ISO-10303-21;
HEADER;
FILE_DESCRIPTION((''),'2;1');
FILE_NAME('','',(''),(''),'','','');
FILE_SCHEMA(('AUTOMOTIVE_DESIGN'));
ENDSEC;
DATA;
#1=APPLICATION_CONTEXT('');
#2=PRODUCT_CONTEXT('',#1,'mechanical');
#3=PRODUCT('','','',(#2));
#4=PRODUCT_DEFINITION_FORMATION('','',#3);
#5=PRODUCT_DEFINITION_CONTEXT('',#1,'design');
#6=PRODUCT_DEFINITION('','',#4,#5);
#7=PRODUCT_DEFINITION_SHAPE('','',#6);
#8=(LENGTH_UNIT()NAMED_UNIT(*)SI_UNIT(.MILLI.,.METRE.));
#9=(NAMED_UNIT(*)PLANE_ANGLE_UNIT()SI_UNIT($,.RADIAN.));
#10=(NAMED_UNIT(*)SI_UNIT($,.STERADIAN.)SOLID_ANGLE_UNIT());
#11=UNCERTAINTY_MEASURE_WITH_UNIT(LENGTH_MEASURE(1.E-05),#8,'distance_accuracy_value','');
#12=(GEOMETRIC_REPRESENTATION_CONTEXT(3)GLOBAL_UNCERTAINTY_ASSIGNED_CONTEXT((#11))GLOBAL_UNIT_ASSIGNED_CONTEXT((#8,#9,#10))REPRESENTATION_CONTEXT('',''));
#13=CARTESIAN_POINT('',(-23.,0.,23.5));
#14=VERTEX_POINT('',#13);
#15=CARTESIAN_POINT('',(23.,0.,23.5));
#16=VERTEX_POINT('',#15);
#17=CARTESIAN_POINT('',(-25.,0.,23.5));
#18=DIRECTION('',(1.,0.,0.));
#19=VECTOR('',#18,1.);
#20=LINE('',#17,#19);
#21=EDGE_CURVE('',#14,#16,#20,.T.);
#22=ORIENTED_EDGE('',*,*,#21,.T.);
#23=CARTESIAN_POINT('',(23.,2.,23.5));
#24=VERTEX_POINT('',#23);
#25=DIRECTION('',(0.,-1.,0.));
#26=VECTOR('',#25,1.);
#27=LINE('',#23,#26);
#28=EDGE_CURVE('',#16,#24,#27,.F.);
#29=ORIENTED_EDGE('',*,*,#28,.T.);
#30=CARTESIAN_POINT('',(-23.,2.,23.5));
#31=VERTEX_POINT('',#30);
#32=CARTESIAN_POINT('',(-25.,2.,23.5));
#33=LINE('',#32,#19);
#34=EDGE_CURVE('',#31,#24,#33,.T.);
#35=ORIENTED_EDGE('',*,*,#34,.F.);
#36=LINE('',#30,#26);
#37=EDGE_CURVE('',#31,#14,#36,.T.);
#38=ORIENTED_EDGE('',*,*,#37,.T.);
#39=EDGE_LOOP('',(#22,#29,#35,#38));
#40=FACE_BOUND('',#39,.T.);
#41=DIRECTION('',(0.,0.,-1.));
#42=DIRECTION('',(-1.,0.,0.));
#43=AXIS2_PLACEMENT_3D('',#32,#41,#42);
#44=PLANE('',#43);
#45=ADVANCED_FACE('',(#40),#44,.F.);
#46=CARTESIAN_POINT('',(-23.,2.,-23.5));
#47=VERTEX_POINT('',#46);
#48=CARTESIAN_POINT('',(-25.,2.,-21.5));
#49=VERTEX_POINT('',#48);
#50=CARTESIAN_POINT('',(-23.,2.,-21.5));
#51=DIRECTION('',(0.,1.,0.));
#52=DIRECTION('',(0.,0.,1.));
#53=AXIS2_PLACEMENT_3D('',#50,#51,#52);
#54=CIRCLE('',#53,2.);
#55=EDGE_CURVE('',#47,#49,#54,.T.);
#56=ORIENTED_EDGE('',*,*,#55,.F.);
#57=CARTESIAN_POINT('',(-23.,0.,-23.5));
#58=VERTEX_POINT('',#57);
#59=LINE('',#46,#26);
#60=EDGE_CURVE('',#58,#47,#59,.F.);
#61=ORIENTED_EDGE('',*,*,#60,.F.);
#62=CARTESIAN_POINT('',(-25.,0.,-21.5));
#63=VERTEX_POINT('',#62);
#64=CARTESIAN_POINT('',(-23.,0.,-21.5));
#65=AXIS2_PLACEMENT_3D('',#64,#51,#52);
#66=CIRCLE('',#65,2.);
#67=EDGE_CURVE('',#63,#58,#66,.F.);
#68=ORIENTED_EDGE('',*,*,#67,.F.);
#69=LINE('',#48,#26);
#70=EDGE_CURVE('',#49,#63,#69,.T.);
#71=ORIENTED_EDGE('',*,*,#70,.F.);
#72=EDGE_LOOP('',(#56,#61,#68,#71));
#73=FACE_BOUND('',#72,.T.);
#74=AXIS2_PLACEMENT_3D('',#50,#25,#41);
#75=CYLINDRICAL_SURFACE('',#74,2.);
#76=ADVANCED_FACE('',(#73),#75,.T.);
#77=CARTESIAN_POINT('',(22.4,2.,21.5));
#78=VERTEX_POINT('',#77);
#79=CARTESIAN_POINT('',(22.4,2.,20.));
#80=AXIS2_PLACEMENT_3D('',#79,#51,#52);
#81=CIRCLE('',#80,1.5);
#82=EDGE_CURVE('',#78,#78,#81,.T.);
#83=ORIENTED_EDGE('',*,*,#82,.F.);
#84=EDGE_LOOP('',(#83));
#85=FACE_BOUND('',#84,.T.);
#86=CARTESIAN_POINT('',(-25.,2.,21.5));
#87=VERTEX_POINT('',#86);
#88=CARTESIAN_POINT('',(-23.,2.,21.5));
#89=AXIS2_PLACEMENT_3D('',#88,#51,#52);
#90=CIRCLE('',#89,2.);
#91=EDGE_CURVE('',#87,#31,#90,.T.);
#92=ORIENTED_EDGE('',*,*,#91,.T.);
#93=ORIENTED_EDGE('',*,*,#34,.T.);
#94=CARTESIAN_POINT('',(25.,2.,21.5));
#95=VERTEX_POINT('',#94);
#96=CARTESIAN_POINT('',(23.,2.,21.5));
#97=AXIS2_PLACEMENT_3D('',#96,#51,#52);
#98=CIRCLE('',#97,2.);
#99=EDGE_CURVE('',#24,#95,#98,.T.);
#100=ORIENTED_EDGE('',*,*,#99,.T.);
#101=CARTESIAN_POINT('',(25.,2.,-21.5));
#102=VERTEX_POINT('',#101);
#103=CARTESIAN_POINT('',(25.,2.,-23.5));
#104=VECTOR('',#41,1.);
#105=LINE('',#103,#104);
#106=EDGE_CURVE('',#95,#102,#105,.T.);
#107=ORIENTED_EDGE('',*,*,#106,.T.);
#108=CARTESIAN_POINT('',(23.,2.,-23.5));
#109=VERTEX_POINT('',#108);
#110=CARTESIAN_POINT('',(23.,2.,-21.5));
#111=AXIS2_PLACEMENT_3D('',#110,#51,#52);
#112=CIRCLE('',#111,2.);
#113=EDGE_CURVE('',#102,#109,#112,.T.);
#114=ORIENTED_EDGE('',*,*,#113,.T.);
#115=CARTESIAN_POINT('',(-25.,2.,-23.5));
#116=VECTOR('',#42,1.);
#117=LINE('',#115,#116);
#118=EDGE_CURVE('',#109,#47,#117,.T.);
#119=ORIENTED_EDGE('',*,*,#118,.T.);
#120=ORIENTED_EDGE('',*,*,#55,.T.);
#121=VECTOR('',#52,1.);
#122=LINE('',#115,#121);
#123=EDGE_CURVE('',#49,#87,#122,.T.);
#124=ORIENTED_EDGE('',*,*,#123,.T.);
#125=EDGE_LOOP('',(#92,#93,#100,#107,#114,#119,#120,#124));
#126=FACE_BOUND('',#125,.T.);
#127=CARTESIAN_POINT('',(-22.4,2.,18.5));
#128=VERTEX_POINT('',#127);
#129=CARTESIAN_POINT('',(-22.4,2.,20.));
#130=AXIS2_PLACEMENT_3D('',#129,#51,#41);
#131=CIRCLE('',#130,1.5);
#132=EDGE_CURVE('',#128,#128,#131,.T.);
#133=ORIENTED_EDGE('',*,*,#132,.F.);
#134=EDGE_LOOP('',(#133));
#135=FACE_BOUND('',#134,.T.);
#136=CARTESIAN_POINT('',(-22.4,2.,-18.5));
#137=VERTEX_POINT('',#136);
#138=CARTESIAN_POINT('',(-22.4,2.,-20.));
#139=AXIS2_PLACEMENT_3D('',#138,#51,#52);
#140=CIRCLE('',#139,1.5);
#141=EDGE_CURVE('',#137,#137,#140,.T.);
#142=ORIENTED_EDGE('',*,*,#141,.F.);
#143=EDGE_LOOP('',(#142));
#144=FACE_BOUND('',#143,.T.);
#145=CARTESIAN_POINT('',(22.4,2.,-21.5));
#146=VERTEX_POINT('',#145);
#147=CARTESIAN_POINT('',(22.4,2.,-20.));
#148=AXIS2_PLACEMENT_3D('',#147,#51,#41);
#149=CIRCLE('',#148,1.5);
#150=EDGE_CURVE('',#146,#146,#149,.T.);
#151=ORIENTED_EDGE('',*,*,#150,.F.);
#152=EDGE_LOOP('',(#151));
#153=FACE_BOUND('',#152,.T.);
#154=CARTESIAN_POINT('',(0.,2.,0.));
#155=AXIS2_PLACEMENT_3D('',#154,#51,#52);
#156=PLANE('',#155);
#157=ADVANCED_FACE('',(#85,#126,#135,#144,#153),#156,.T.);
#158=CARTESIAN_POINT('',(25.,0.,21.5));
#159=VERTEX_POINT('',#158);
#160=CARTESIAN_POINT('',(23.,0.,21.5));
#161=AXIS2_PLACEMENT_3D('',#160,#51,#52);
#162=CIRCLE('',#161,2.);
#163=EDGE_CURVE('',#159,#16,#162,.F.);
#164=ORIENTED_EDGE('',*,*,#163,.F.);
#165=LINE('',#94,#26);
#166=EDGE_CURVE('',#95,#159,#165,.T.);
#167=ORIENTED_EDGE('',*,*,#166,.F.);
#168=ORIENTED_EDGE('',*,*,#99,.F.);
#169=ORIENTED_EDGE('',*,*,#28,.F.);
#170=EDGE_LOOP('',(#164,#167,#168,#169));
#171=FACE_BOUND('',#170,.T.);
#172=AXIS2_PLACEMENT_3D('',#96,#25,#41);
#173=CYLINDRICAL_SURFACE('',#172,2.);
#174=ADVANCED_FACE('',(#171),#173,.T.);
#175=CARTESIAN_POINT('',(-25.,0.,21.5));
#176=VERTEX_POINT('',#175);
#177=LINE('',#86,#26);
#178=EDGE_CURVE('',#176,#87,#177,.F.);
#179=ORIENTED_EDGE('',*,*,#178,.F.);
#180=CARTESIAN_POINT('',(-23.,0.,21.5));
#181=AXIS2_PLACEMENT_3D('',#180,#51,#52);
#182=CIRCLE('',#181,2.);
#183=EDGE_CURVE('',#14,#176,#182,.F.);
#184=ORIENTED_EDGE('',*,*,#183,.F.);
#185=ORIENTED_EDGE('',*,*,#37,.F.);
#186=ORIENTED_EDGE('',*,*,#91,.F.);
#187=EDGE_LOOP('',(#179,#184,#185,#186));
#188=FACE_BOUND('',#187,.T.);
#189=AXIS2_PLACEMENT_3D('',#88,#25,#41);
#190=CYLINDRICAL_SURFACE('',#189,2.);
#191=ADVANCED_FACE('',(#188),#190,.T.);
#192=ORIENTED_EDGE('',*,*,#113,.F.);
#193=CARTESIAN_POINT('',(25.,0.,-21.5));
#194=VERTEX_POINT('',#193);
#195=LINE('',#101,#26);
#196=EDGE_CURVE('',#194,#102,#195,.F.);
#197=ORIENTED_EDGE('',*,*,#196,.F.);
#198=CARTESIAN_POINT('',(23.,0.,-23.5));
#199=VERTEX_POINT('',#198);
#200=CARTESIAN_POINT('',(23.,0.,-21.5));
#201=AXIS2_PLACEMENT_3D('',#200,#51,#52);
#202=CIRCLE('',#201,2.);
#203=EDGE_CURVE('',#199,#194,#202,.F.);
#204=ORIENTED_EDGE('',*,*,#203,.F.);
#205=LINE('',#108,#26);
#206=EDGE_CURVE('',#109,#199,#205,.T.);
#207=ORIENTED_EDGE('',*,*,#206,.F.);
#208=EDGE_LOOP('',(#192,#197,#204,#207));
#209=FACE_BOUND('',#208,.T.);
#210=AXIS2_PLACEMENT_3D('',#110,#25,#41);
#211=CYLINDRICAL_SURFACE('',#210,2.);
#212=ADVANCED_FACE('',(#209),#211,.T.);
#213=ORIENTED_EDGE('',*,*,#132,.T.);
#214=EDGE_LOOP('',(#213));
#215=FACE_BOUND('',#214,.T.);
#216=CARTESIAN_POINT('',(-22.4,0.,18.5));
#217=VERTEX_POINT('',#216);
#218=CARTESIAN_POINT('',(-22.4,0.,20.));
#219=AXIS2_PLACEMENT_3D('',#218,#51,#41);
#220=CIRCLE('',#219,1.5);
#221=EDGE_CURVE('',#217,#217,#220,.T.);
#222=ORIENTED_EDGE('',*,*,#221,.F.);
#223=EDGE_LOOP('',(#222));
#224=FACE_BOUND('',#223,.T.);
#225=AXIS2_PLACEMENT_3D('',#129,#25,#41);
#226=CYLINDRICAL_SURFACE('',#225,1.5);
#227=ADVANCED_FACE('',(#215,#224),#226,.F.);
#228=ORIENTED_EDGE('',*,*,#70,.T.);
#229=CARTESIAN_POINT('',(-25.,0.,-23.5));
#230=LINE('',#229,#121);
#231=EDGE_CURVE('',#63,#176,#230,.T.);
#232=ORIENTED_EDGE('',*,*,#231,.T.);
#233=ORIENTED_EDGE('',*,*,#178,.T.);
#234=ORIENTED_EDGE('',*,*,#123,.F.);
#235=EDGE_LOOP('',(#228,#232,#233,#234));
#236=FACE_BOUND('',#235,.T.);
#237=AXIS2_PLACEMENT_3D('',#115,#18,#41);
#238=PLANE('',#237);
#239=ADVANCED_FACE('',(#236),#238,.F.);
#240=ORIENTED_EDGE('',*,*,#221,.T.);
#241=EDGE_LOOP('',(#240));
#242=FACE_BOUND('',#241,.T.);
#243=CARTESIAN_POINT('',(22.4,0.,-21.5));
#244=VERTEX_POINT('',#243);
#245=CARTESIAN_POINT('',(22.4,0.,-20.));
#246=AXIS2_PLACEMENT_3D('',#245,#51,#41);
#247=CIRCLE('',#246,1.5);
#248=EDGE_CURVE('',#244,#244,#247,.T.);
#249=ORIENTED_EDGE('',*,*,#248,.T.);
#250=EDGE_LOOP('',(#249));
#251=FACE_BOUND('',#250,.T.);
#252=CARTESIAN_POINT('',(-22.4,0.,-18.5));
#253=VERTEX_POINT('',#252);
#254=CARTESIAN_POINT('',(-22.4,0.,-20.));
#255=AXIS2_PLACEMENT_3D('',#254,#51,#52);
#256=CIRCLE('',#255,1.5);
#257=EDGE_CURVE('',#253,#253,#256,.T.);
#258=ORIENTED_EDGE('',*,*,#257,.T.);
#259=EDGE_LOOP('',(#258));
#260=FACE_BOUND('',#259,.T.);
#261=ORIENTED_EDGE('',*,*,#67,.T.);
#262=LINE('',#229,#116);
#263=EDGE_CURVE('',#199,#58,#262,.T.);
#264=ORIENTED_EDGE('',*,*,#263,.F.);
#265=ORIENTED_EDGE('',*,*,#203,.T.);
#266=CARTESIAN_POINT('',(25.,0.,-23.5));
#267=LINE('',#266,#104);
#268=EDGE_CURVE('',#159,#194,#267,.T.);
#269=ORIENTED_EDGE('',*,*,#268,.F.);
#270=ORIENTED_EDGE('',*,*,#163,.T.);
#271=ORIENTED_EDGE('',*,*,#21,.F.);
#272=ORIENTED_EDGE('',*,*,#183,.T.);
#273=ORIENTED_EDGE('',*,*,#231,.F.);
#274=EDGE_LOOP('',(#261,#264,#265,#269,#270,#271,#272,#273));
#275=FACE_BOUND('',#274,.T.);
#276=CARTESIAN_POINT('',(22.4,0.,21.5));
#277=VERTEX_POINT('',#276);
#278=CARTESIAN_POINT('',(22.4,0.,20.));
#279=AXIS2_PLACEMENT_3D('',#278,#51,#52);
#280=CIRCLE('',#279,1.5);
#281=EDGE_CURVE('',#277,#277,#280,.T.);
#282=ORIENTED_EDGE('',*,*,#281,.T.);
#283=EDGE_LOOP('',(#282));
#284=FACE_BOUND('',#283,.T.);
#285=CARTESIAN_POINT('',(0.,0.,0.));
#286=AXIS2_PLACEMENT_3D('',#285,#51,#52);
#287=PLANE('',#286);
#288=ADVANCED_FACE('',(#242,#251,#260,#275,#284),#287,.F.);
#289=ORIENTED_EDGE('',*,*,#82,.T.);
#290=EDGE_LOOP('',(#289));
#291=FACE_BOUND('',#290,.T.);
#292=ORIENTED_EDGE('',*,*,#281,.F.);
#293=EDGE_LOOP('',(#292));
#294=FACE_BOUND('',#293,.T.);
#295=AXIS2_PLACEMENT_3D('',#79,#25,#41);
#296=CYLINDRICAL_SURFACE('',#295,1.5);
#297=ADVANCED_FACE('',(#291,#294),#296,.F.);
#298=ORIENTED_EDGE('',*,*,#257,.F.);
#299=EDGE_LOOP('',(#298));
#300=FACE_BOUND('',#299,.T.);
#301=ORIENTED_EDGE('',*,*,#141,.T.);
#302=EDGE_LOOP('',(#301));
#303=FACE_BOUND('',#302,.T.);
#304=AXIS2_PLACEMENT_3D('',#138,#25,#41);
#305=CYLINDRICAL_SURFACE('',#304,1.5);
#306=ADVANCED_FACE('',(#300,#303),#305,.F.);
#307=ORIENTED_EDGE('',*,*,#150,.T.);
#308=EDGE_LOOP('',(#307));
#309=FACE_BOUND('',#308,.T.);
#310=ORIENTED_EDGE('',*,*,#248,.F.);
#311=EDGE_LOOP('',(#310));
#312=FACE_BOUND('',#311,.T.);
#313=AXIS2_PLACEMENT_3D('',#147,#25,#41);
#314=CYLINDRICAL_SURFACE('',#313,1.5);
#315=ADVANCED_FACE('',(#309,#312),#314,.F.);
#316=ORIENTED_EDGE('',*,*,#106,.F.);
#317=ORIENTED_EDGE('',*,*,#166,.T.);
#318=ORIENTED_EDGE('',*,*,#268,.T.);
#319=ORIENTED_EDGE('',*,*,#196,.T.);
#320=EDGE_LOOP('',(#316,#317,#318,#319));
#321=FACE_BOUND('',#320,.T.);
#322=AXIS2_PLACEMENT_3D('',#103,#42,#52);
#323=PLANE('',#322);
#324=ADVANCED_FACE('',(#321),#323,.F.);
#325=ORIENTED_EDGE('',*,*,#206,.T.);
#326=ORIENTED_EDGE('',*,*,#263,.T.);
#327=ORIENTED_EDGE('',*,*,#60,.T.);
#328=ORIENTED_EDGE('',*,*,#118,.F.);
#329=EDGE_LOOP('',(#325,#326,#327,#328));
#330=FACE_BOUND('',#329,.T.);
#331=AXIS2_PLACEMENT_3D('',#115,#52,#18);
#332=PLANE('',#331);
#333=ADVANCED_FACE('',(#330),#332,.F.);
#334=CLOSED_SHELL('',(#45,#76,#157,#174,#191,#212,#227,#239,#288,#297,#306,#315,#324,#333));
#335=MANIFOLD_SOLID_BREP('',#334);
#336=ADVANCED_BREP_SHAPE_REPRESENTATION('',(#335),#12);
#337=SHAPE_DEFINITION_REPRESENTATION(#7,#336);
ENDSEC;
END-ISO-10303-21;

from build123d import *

# Parameters (mm, degrees)
SKETCH_1_W      = 50
SKETCH_1_H      = 47
SKETCH_1_R      = 1.5
EXTRUDE_1_DEPTH = 2
FILLET_1_R      = 2


with BuildPart() as part:
    # 草图1 → 凸台-拉伸1 (new body)
    with BuildSketch(Plane(origin=(0, 0, 0), x_dir=(1, 0, 0), z_dir=(0, 1, 0))):
        Rectangle(SKETCH_1_W, SKETCH_1_H)
        with Locations(Location((-22.4, 20, 0), (0, 0, 270))):
            Circle(SKETCH_1_R, mode=Mode.SUBTRACT)
        with Locations(Location((22.4, 20, 0), (0, 0, 90))):
            Circle(SKETCH_1_R, mode=Mode.SUBTRACT)
        with Locations(Location((22.4, -20, 0), (0, 0, 270))):
            Circle(SKETCH_1_R, mode=Mode.SUBTRACT)
        with Locations(Location((-22.4, -20, 0), (0, 0, 90))):
            Circle(SKETCH_1_R, mode=Mode.SUBTRACT)
    extrude(amount=EXTRUDE_1_DEPTH)

    # 圆角1
    fillet_1_edges = [part.edges().sort_by_distance(p)[0] for p in [
        (25, 1, 23.5),
        (-25, 1, 23.5),
        (-25, 1, -23.5),
        (25, 1, -23.5),
    ]]
    fillet(fillet_1_edges, radius=FILLET_1_R)


solid = part.part
